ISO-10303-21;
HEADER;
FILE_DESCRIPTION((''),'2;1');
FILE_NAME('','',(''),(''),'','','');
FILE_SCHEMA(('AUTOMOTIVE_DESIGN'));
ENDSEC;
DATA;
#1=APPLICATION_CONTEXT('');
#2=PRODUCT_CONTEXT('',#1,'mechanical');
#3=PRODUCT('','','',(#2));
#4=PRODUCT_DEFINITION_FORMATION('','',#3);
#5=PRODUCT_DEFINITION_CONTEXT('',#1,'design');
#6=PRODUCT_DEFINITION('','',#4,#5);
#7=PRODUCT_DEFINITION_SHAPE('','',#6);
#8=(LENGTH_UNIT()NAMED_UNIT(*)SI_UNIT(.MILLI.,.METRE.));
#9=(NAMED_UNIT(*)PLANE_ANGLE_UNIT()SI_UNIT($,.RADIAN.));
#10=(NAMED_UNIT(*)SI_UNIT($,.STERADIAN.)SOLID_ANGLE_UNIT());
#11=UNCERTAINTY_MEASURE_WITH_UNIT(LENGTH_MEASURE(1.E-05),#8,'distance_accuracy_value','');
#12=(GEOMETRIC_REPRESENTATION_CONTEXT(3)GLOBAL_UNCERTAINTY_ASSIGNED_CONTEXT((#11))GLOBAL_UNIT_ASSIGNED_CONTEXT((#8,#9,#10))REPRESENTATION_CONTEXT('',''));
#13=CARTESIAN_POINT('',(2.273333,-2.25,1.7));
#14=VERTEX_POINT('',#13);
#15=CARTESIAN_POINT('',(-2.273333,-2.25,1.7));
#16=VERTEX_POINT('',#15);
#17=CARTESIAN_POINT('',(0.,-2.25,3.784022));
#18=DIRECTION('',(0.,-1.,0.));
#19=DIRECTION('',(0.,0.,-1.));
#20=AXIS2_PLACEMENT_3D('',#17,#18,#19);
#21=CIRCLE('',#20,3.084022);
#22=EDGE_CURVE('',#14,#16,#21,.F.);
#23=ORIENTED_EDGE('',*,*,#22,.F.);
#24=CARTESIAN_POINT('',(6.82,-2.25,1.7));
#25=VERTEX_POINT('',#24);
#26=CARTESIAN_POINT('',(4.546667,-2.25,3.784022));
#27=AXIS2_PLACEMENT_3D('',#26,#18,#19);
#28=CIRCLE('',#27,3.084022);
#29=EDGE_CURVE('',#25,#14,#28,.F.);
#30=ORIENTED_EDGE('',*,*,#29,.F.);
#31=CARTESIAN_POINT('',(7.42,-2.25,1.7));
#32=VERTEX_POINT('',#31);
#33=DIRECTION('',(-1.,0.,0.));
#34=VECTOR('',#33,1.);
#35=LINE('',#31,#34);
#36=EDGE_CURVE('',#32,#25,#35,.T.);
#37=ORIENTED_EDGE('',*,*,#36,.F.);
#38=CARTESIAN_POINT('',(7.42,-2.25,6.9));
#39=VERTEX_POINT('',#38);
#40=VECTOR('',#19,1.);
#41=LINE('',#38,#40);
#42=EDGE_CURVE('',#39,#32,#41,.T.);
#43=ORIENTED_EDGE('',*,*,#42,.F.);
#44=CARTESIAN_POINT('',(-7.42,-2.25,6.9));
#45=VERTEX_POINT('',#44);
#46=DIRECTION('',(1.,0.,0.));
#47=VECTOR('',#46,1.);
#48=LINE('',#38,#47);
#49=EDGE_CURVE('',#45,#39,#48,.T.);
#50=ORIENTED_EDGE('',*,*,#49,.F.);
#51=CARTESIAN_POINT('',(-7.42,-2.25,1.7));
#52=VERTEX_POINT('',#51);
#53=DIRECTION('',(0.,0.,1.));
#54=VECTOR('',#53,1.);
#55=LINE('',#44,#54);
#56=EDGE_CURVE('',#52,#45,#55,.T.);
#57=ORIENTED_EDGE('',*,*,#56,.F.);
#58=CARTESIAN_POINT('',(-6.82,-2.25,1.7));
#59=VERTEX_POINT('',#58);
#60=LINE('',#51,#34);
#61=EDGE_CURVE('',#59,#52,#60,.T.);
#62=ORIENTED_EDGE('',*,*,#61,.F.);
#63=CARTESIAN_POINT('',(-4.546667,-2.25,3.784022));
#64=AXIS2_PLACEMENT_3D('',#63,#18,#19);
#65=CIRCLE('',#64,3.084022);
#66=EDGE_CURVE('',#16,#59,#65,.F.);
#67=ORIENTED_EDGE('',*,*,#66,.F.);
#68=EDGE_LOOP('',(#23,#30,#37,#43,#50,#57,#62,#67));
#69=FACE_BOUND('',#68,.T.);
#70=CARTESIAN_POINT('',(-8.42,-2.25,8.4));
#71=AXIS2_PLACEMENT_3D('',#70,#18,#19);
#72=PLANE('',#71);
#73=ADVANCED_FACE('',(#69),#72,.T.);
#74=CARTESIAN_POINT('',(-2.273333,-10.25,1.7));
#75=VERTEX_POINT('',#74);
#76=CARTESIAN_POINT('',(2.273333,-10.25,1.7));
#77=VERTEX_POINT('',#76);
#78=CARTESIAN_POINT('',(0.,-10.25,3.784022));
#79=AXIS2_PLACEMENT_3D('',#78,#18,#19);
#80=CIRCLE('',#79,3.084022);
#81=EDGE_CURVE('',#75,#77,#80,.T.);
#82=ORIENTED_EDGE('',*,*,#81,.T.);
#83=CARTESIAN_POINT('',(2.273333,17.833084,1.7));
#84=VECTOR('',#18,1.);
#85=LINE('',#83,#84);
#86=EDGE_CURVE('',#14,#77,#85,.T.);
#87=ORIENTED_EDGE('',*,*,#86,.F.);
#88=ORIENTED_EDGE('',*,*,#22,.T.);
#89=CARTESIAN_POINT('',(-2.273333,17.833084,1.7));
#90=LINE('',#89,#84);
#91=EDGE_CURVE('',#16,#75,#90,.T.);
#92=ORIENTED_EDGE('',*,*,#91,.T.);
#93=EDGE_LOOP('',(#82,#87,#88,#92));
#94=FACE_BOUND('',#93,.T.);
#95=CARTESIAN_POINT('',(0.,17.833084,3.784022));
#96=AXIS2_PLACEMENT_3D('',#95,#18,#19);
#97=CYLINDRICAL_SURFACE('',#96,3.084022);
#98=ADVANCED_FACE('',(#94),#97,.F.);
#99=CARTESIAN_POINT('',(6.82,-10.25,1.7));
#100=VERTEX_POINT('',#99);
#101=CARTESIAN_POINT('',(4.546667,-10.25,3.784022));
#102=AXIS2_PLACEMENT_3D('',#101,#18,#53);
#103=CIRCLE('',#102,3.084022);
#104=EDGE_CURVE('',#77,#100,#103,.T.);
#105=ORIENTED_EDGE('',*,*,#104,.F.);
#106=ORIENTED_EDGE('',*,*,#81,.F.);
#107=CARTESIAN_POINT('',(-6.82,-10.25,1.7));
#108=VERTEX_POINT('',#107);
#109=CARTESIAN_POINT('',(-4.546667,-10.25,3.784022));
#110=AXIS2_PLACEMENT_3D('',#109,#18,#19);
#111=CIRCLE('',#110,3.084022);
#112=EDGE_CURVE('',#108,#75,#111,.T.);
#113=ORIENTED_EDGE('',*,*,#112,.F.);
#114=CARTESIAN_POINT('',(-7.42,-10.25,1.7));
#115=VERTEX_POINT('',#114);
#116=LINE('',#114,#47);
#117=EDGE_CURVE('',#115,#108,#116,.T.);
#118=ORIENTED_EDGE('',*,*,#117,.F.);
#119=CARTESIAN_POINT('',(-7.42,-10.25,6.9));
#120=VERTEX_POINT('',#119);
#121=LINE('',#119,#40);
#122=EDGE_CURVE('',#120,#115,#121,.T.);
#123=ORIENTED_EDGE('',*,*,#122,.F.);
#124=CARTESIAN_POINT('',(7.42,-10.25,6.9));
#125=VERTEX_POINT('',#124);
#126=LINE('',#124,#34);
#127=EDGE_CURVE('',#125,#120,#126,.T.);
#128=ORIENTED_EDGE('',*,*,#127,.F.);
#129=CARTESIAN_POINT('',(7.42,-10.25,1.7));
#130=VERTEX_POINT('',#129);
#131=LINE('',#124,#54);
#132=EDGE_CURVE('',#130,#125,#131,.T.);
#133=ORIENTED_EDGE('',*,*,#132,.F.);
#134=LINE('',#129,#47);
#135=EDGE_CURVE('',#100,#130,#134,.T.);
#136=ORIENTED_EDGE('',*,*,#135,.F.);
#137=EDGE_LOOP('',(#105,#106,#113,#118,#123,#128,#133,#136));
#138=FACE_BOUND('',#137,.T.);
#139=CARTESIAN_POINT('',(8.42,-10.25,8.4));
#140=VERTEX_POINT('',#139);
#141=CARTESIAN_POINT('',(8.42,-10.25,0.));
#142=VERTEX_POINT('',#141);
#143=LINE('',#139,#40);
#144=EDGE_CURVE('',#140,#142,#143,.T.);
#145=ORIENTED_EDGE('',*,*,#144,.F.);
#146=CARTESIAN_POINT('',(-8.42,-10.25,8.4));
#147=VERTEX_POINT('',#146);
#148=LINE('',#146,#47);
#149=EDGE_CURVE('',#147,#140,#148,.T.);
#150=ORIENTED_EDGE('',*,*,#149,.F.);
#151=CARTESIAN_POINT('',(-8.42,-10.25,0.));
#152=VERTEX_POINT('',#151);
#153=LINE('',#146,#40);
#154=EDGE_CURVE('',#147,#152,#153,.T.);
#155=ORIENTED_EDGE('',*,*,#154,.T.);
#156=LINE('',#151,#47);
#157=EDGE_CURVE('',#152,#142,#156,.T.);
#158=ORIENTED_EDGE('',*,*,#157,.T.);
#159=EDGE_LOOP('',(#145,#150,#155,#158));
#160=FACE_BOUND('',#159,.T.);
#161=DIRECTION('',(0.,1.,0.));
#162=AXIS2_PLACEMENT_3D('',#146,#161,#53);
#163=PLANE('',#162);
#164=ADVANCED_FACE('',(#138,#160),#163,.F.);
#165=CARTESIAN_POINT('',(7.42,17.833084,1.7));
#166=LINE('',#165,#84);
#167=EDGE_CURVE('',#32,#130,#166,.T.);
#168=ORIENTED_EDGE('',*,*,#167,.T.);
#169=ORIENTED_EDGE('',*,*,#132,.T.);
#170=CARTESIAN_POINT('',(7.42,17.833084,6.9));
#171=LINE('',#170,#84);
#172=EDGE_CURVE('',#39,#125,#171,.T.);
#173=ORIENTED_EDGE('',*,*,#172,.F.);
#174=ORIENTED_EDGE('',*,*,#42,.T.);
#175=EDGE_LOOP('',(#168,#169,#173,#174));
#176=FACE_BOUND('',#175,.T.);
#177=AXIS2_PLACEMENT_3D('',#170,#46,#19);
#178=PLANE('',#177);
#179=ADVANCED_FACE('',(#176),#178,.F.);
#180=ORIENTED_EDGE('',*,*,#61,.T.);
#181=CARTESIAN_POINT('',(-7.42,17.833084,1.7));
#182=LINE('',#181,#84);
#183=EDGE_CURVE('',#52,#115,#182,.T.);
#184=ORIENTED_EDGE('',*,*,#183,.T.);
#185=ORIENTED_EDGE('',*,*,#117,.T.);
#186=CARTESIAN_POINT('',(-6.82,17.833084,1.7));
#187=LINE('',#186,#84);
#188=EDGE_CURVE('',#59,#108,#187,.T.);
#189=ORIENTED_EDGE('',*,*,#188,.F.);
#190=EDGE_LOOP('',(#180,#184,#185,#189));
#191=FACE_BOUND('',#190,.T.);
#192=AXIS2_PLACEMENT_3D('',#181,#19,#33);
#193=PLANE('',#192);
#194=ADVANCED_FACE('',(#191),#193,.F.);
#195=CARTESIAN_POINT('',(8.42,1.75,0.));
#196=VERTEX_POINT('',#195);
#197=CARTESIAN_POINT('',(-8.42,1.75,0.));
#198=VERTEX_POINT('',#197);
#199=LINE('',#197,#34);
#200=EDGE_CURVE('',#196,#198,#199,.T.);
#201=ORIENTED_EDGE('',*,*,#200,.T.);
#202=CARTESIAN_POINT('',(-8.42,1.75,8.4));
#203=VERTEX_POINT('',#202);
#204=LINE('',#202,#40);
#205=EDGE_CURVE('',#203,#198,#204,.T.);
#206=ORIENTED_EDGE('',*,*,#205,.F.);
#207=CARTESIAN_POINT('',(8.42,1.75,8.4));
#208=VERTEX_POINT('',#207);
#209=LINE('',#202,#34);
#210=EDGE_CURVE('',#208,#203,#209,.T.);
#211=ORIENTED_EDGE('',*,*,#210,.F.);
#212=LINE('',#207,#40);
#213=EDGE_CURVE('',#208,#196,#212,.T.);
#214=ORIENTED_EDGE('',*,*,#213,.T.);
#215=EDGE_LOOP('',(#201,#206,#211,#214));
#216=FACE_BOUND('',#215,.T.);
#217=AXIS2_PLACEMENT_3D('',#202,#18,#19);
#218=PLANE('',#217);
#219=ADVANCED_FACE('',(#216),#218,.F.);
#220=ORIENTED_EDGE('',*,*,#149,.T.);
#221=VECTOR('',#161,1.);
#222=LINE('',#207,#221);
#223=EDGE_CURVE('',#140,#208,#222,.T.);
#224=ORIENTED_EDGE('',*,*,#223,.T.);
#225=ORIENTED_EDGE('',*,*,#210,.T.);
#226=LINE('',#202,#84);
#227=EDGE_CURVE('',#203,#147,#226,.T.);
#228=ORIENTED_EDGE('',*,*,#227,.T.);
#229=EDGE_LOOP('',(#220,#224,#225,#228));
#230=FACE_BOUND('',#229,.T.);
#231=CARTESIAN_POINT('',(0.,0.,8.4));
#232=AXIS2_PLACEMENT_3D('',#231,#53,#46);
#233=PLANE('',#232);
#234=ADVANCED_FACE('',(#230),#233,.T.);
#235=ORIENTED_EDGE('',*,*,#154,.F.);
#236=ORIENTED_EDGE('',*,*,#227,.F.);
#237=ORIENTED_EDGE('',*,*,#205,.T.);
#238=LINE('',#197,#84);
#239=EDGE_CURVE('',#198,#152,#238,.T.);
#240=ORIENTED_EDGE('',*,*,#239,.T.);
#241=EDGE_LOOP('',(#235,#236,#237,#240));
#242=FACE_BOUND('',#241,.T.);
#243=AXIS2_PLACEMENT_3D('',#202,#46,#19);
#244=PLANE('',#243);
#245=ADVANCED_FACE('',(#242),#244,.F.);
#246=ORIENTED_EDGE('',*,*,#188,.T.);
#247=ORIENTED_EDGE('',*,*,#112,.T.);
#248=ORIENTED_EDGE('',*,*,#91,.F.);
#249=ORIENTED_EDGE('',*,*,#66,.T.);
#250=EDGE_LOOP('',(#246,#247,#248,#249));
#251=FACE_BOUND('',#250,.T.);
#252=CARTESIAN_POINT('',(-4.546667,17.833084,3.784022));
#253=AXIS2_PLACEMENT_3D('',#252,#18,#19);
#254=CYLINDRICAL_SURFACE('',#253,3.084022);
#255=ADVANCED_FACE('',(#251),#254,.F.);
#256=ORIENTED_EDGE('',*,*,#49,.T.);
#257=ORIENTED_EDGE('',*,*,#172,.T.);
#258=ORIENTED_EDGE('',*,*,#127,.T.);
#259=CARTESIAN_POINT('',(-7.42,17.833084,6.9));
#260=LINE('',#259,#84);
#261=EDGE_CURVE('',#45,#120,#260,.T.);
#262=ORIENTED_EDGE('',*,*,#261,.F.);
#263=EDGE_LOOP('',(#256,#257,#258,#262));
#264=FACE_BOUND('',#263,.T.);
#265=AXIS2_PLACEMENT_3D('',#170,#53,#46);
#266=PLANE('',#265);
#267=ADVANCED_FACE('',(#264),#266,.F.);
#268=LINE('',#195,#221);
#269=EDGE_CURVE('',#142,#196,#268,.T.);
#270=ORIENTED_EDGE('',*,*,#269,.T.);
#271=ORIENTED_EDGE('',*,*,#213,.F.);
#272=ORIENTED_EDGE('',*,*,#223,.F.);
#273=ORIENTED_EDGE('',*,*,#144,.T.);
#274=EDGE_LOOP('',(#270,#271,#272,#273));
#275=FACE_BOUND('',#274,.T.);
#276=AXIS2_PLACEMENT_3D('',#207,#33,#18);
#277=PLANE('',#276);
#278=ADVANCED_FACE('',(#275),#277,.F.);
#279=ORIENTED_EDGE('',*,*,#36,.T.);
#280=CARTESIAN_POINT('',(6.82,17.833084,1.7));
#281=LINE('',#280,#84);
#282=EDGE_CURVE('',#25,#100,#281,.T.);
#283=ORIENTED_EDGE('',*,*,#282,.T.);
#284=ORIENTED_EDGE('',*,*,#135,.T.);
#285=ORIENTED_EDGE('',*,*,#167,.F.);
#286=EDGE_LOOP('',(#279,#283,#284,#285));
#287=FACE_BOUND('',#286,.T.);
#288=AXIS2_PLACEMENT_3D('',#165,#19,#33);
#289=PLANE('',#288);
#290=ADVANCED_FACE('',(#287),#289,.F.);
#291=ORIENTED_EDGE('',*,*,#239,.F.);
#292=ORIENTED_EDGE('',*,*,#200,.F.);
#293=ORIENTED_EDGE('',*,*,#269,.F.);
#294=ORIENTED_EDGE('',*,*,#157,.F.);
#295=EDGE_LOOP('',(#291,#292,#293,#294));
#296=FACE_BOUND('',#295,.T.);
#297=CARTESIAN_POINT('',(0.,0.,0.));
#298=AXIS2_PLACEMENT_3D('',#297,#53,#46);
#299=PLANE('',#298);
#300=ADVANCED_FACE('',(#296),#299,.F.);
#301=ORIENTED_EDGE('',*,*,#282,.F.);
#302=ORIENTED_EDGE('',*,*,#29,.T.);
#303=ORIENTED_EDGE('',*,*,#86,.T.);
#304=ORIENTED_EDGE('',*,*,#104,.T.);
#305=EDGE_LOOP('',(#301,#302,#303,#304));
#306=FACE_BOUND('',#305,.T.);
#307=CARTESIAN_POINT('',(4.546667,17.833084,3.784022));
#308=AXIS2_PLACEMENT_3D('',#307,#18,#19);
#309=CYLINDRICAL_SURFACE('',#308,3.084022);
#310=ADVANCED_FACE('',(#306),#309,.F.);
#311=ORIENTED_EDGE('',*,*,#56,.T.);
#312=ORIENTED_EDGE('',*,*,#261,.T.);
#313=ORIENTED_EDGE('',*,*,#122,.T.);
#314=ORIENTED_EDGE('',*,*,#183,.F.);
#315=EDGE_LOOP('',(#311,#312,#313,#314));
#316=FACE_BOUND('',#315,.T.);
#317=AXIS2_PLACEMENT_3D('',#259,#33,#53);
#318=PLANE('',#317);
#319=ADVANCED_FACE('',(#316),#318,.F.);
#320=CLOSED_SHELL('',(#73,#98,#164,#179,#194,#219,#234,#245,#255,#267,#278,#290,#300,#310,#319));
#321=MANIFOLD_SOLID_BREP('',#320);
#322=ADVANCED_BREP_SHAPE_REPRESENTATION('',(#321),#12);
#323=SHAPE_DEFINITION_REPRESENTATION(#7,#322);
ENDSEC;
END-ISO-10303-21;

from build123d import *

# Parameters (mm, degrees)
SKETCH1_W           = 16.84
SKETCH1_H           = 12
BOSS_EXTRUDE1_DEPTH = 8.4
CUT_EXTRUDE1_DEPTH  = 8


with BuildPart() as part:
    # Sketch1 → Boss-Extrude1 (new body)
    with BuildSketch(Plane.XY):
        with Locations((0, -4.25)):
            Rectangle(SKETCH1_W, SKETCH1_H)
    extrude(amount=BOSS_EXTRUDE1_DEPTH)

    # Sketch2 → Cut-Extrude1 (cut)
    with BuildSketch(Plane.XZ.offset(10.25)):
        with BuildLine():
            Line((7.42, 6.9), (-7.42, 6.9))
            Line((-7.42, 6.9), (-7.42, 1.7))
            Line((-7.42, 1.7), (-6.82, 1.7))
            ThreePointArc((-6.82, 1.7), (-4.546666667, 0.7), (-2.273333333, 1.7))
            ThreePointArc((-2.273333333, 1.7), (0, 0.7), (2.273333333, 1.7))
            ThreePointArc((2.273333333, 1.7), (4.546666667, 0.7), (6.82, 1.7))
            Line((6.82, 1.7), (7.42, 1.7))
            Line((7.42, 1.7), (7.42, 6.9))
        make_face()
    extrude(amount=-CUT_EXTRUDE1_DEPTH, mode=Mode.SUBTRACT)


solid = part.part
